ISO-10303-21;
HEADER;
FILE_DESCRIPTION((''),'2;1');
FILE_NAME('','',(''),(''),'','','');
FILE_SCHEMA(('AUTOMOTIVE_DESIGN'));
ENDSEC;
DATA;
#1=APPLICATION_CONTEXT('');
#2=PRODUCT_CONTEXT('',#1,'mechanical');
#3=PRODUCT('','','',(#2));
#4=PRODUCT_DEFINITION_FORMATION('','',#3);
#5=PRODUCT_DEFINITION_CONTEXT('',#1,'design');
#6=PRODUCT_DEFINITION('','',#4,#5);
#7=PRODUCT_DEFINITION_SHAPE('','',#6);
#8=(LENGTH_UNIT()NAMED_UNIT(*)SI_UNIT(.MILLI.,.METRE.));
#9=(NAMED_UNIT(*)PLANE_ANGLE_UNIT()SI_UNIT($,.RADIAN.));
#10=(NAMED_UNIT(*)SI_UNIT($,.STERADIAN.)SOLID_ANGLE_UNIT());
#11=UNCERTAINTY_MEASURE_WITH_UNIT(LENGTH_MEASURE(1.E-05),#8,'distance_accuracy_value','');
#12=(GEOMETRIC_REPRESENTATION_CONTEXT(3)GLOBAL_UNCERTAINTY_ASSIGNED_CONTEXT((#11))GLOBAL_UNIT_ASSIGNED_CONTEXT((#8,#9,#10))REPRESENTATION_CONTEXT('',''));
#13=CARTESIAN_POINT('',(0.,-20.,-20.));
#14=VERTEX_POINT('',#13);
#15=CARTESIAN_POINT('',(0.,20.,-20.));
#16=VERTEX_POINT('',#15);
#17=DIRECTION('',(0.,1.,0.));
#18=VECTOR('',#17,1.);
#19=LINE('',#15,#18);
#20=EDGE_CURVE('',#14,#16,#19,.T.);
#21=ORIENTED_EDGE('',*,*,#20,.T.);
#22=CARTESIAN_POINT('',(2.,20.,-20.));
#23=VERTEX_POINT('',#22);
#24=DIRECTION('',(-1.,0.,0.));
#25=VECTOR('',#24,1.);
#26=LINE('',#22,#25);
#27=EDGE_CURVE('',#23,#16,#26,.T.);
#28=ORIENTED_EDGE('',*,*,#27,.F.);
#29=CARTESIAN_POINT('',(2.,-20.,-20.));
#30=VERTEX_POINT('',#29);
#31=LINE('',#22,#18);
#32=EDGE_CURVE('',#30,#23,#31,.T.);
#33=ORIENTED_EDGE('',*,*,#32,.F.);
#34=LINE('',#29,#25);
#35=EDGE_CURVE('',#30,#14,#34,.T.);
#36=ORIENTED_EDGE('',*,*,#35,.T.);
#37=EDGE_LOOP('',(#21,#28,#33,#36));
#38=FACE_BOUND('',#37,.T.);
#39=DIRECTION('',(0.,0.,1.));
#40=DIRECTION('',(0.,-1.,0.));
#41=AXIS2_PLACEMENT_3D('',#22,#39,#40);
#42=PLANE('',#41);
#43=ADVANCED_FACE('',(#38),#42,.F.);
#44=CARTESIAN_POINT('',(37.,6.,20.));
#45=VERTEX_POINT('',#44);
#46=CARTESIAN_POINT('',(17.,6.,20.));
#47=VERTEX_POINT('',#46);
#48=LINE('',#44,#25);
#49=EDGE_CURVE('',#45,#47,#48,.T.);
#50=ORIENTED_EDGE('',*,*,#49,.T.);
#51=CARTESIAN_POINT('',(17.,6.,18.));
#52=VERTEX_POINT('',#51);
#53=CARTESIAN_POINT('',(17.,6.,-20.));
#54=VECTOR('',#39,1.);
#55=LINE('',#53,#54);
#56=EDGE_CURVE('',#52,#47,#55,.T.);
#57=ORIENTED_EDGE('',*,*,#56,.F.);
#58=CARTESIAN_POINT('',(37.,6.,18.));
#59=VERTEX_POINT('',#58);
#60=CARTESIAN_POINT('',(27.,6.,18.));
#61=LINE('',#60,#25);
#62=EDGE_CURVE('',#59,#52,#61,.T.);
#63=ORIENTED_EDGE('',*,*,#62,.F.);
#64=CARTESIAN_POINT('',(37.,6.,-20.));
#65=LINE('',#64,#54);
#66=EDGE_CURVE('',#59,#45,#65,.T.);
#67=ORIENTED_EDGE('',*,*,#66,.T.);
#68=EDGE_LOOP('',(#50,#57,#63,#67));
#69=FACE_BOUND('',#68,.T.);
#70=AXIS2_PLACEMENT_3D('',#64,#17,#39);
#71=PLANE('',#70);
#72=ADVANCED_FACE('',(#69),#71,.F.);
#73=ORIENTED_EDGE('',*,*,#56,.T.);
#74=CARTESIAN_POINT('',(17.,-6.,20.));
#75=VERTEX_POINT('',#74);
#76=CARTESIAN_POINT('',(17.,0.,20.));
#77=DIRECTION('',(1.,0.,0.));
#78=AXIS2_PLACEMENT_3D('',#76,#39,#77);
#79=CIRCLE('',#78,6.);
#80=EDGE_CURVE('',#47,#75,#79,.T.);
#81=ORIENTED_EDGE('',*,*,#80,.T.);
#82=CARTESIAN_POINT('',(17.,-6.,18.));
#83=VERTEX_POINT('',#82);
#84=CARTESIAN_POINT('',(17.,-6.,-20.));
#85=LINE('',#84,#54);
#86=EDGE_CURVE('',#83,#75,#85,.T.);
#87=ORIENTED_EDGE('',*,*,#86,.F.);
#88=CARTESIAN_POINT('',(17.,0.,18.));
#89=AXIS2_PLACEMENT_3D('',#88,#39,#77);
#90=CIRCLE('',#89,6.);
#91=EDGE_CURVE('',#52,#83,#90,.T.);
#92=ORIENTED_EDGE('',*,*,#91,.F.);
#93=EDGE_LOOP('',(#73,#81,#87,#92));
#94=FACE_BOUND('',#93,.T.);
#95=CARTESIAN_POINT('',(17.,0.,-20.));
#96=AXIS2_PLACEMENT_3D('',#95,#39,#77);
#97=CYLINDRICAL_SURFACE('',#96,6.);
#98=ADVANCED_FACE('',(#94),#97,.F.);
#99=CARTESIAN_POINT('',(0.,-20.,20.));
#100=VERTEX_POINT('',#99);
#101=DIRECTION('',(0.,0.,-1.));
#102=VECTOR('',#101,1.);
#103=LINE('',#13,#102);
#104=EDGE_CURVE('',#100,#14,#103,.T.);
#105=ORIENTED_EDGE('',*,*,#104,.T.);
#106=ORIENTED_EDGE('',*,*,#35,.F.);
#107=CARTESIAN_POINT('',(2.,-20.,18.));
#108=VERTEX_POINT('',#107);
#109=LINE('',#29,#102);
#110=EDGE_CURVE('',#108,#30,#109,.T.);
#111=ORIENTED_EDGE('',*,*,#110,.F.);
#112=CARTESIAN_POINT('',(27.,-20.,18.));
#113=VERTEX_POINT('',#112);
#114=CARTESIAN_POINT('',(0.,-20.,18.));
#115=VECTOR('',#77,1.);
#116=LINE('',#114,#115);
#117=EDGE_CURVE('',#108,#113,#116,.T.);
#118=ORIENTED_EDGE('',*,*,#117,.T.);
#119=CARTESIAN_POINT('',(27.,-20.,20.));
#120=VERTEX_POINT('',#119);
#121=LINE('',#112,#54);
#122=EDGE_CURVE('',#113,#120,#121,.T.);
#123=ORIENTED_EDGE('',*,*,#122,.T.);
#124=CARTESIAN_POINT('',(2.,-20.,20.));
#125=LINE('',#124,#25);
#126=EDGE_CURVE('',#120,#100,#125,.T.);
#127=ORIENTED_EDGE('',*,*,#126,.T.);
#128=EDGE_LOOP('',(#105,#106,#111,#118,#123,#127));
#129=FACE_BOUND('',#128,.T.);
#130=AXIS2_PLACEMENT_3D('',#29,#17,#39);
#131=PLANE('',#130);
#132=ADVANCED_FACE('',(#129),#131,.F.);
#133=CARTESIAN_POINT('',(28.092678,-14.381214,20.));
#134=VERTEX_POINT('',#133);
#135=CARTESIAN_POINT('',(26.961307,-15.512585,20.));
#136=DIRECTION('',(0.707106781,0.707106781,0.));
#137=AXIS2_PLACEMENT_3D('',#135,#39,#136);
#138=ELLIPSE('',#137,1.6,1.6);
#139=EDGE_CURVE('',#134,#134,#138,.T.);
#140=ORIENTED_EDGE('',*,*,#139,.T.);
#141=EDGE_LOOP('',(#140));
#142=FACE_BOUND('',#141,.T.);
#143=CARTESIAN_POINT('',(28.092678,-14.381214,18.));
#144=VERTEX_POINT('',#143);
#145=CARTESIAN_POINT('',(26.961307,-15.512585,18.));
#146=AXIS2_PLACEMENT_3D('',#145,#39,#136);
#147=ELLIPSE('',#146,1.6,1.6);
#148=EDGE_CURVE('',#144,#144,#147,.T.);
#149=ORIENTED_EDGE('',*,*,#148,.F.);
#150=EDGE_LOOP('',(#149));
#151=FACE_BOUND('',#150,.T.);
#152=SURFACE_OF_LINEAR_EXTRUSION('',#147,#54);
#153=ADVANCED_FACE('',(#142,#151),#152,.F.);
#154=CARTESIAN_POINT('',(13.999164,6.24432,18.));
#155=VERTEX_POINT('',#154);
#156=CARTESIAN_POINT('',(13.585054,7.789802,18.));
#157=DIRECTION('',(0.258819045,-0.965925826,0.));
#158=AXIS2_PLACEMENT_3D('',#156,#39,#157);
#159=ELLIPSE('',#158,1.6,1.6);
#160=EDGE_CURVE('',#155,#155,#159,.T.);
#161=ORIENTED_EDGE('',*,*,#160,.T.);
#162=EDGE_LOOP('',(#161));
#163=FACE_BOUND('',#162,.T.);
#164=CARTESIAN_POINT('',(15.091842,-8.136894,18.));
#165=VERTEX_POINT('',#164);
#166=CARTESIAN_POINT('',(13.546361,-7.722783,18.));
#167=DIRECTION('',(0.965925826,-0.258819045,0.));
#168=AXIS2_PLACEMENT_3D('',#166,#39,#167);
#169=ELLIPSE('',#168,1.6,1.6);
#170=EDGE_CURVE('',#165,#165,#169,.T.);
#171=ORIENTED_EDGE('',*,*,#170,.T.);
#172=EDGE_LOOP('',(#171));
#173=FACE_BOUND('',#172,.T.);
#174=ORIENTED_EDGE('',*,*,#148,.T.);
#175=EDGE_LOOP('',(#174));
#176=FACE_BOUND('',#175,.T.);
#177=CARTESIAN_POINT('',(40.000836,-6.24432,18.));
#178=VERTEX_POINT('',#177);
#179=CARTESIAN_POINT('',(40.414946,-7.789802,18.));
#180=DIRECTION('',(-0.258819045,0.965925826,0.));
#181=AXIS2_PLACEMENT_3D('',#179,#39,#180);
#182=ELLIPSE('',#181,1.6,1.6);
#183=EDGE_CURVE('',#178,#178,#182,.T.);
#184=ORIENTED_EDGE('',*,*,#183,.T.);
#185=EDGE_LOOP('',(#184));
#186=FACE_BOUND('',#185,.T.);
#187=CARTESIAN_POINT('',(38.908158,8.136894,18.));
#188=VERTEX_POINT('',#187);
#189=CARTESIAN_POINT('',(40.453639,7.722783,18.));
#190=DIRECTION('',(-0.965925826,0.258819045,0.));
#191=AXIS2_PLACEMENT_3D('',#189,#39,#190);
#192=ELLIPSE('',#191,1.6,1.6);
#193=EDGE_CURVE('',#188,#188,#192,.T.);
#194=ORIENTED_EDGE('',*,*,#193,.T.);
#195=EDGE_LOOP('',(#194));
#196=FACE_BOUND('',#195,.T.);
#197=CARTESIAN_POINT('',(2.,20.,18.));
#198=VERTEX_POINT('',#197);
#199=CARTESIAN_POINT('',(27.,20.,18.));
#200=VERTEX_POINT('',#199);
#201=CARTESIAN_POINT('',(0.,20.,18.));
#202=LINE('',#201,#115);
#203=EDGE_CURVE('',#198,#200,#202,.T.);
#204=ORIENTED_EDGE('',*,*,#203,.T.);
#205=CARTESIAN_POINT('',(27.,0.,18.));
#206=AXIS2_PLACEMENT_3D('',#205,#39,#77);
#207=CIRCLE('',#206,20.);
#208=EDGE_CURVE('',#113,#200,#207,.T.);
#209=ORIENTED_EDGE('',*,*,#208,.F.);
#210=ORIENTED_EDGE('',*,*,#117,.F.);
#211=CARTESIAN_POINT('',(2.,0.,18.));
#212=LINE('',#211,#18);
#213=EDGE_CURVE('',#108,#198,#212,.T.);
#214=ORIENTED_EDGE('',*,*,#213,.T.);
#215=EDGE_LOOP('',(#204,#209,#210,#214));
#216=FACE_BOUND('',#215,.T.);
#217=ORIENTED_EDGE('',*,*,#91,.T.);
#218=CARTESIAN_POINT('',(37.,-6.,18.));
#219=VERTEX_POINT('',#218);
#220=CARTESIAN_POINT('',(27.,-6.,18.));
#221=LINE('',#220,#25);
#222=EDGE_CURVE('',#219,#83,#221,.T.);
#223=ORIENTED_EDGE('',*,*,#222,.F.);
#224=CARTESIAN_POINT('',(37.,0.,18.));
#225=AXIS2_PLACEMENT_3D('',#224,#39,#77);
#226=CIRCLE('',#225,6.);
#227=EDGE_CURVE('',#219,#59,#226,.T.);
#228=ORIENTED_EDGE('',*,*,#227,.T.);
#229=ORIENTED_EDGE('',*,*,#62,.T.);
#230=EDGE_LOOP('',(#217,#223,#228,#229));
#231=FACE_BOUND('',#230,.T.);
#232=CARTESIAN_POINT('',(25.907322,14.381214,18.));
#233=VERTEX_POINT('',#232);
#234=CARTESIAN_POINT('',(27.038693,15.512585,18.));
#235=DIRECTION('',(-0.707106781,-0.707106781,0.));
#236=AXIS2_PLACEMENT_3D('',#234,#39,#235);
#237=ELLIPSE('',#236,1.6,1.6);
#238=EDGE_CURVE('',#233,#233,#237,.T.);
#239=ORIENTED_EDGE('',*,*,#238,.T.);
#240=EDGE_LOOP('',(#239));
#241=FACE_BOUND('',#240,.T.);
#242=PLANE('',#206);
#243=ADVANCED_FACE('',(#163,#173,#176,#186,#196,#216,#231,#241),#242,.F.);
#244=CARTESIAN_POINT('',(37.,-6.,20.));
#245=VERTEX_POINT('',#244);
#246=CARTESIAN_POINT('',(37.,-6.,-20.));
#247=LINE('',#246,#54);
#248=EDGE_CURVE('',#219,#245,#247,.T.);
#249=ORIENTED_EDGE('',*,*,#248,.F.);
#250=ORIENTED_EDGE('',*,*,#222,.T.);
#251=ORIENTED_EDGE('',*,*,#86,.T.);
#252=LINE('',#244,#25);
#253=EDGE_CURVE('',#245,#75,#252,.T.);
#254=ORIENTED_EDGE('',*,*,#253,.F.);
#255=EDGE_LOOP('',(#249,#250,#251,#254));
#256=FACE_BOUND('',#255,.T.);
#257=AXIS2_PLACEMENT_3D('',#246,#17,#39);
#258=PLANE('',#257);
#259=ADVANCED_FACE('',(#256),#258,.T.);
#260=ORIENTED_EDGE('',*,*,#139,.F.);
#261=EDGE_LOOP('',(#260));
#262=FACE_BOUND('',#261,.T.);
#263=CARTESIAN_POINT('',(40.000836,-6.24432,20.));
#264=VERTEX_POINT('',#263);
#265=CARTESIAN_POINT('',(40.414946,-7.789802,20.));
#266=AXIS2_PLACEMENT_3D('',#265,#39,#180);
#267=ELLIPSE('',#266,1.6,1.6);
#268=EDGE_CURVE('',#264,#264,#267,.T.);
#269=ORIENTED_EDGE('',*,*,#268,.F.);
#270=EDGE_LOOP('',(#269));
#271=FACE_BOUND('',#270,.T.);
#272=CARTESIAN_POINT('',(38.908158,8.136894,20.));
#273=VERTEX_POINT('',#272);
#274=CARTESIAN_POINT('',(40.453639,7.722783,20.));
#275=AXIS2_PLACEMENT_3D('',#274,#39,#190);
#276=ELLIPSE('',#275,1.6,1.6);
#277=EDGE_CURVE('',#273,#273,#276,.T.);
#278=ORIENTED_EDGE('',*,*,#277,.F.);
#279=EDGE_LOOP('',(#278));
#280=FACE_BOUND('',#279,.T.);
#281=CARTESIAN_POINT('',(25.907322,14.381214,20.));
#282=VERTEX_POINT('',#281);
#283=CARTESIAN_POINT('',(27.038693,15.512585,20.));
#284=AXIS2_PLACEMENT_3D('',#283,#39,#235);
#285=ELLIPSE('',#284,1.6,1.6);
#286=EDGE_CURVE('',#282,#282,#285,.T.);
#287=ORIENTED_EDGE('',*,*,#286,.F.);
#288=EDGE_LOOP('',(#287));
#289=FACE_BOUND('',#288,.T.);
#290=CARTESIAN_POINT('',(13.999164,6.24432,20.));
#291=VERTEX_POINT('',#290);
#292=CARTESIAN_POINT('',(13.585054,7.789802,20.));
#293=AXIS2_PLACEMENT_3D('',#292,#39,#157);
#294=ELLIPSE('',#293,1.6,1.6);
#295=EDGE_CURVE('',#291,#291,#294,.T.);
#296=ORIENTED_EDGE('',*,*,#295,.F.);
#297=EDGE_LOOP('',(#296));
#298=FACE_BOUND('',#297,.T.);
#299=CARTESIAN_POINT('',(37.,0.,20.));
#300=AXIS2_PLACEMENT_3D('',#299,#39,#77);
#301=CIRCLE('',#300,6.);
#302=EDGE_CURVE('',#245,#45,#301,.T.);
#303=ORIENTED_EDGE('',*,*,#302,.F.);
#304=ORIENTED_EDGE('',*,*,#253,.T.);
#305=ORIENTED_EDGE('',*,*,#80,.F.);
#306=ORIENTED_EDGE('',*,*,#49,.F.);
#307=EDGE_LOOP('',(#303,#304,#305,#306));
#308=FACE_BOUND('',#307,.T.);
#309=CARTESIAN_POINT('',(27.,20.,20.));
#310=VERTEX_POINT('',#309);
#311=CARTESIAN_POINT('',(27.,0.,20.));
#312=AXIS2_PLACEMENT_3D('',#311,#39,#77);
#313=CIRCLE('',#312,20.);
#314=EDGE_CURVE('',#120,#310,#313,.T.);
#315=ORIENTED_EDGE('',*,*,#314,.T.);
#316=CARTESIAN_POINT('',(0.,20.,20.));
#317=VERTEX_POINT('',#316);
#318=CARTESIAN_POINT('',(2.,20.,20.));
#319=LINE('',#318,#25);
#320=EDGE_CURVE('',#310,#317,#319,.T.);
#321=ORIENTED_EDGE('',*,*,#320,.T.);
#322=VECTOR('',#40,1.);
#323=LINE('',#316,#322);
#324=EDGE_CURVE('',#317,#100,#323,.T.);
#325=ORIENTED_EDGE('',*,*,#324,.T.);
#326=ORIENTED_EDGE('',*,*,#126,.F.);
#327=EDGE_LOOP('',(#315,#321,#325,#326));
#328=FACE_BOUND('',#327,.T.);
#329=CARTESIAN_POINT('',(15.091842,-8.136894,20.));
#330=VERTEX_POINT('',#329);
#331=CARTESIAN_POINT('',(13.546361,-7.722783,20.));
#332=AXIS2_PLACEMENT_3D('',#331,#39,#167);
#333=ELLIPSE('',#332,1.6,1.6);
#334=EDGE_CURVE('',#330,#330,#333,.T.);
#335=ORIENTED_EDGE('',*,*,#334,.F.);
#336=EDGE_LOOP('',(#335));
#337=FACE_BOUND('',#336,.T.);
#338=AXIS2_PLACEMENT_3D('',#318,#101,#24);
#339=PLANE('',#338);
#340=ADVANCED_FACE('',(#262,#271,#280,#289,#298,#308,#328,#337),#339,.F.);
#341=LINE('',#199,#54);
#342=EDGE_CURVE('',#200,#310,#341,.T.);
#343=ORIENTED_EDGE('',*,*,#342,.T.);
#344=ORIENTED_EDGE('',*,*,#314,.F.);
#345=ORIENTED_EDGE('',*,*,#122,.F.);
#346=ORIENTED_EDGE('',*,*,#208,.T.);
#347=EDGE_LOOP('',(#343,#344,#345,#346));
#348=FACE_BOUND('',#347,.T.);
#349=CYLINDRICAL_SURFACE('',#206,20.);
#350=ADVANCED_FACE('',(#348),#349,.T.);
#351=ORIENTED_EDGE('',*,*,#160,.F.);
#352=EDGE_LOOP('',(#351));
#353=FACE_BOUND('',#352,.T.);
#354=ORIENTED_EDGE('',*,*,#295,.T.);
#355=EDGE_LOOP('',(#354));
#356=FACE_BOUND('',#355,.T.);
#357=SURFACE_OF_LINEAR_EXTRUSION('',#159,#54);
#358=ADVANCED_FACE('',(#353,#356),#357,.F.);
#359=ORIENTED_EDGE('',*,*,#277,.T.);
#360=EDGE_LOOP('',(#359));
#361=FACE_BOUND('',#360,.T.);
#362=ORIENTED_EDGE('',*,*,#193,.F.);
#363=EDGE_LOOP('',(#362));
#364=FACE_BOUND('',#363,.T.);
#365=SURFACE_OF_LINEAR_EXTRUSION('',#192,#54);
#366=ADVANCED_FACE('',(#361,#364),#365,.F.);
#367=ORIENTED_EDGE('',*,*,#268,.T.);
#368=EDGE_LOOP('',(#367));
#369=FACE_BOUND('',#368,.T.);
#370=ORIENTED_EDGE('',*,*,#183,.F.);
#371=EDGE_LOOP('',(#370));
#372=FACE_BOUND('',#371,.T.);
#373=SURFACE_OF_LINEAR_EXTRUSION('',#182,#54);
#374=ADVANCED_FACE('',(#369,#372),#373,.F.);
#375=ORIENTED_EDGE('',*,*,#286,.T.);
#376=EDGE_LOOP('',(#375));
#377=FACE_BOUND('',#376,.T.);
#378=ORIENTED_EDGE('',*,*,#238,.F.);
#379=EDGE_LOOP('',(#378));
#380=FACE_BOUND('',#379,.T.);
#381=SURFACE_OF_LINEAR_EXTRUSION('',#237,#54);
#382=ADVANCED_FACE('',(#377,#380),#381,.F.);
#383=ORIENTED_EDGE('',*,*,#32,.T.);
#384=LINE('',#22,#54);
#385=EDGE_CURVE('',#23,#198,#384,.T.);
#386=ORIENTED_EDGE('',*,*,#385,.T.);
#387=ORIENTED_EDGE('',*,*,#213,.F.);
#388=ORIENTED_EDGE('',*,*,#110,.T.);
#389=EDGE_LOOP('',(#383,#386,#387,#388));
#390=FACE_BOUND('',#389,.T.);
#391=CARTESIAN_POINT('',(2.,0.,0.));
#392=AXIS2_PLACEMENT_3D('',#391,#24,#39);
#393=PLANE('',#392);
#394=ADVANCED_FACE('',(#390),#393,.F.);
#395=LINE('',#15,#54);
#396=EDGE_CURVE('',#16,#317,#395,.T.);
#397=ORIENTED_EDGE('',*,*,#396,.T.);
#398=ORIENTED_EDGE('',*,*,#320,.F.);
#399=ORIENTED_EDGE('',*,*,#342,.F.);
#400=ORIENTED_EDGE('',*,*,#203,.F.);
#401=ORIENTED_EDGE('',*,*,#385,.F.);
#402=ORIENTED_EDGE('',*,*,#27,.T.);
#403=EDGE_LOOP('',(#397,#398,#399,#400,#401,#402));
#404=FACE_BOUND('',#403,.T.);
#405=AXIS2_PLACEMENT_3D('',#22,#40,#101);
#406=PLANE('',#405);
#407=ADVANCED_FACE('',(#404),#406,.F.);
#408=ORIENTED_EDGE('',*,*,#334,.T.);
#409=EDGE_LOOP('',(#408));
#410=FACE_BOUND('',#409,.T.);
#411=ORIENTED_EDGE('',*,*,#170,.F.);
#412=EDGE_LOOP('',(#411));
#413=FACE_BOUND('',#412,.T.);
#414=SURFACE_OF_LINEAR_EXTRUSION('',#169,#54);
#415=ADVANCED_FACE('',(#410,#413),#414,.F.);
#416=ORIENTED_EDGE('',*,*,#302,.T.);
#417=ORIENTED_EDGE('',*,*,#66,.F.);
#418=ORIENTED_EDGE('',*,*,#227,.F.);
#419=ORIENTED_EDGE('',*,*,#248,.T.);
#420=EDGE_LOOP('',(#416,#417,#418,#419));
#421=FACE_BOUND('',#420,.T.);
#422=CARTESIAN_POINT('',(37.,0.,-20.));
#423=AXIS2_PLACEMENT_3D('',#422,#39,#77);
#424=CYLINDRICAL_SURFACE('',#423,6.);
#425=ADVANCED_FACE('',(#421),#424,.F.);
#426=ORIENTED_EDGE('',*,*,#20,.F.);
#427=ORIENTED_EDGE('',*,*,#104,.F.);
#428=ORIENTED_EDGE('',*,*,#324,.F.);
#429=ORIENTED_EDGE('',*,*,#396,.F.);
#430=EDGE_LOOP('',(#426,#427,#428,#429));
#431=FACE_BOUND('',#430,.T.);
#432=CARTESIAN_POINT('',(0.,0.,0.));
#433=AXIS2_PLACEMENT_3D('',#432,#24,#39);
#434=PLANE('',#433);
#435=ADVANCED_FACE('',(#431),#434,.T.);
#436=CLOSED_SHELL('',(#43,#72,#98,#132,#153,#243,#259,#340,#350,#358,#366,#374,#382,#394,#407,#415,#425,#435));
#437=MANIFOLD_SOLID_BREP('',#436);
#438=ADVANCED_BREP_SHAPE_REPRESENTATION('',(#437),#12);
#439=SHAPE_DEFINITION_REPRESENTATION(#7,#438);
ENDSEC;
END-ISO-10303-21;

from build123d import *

# Parameters (mm, degrees)
SKETCH_1_W               = 40
SKETCH_1_H               = 40
EXTRUDE_1_DEPTH          = 2
EXTRUDE_2_DEPTH          = 2
SKETCH_3_4_RX            = 1.6
SKETCH_3_4_RY            = 1.6
CUT_EXTRUDE_1_DEPTH      = 2
PATTERN_CIRCULAR_1_COUNT = 6
CUT_EXTRUDE_2_DEPTH      = 65.876806333


with BuildPart() as part:
    # 草图1 → 凸台-拉伸1 (new body)
    with BuildSketch(Plane(origin=(0, 0, 0), x_dir=(0, 0, -1), z_dir=(1, 0, 0))):
        Rectangle(SKETCH_1_W, SKETCH_1_H)
    extrude(amount=EXTRUDE_1_DEPTH)

    # 草图3 → 凸台-拉伸2 (add)
    with BuildSketch(Plane.XY.offset(20)):
        with BuildLine():
            Line((0, 20), (27, 20))
            ThreePointArc((27, 20), (47, 0), (27, -20))
            Line((27, -20), (0, -20))
            Line((0, -20), (0, 20))
        make_face()
    extrude(amount=-EXTRUDE_2_DEPTH)

    # 草图3<4> → 切除-拉伸1 (cut)
    with BuildSketch(Plane.XY.offset(20)):
        with Locations(Location((27.038693052, 15.512584913), (0, 0, 225))):
            Ellipse(SKETCH_3_4_RX, SKETCH_3_4_RY)
    cut_extrude_1 = extrude(amount=-CUT_EXTRUDE_1_DEPTH, mode=Mode.SUBTRACT)

    # 阵列(圆周)1: 切除-拉伸1 ×6 about axis
    pattern_circular_1_axis = Axis((27, 0, 0), (0, 0, 1))
    for i in range(1, PATTERN_CIRCULAR_1_COUNT):
        add(cut_extrude_1.rotate(pattern_circular_1_axis, i * 360 / PATTERN_CIRCULAR_1_COUNT), mode=Mode.SUBTRACT)

    # 草图3<5> → 切除-拉伸2 (cut, through all)
    with BuildSketch(Plane.XY.offset(20)):
        with BuildLine():
            Line((37, -6), (17, -6))
            ThreePointArc((17, -6), (11, 0), (17, 6))
            Line((17, 6), (37, 6))
            ThreePointArc((37, 6), (43, 0), (37, -6))
        make_face()
    extrude(amount=-CUT_EXTRUDE_2_DEPTH, mode=Mode.SUBTRACT)


solid = part.part
